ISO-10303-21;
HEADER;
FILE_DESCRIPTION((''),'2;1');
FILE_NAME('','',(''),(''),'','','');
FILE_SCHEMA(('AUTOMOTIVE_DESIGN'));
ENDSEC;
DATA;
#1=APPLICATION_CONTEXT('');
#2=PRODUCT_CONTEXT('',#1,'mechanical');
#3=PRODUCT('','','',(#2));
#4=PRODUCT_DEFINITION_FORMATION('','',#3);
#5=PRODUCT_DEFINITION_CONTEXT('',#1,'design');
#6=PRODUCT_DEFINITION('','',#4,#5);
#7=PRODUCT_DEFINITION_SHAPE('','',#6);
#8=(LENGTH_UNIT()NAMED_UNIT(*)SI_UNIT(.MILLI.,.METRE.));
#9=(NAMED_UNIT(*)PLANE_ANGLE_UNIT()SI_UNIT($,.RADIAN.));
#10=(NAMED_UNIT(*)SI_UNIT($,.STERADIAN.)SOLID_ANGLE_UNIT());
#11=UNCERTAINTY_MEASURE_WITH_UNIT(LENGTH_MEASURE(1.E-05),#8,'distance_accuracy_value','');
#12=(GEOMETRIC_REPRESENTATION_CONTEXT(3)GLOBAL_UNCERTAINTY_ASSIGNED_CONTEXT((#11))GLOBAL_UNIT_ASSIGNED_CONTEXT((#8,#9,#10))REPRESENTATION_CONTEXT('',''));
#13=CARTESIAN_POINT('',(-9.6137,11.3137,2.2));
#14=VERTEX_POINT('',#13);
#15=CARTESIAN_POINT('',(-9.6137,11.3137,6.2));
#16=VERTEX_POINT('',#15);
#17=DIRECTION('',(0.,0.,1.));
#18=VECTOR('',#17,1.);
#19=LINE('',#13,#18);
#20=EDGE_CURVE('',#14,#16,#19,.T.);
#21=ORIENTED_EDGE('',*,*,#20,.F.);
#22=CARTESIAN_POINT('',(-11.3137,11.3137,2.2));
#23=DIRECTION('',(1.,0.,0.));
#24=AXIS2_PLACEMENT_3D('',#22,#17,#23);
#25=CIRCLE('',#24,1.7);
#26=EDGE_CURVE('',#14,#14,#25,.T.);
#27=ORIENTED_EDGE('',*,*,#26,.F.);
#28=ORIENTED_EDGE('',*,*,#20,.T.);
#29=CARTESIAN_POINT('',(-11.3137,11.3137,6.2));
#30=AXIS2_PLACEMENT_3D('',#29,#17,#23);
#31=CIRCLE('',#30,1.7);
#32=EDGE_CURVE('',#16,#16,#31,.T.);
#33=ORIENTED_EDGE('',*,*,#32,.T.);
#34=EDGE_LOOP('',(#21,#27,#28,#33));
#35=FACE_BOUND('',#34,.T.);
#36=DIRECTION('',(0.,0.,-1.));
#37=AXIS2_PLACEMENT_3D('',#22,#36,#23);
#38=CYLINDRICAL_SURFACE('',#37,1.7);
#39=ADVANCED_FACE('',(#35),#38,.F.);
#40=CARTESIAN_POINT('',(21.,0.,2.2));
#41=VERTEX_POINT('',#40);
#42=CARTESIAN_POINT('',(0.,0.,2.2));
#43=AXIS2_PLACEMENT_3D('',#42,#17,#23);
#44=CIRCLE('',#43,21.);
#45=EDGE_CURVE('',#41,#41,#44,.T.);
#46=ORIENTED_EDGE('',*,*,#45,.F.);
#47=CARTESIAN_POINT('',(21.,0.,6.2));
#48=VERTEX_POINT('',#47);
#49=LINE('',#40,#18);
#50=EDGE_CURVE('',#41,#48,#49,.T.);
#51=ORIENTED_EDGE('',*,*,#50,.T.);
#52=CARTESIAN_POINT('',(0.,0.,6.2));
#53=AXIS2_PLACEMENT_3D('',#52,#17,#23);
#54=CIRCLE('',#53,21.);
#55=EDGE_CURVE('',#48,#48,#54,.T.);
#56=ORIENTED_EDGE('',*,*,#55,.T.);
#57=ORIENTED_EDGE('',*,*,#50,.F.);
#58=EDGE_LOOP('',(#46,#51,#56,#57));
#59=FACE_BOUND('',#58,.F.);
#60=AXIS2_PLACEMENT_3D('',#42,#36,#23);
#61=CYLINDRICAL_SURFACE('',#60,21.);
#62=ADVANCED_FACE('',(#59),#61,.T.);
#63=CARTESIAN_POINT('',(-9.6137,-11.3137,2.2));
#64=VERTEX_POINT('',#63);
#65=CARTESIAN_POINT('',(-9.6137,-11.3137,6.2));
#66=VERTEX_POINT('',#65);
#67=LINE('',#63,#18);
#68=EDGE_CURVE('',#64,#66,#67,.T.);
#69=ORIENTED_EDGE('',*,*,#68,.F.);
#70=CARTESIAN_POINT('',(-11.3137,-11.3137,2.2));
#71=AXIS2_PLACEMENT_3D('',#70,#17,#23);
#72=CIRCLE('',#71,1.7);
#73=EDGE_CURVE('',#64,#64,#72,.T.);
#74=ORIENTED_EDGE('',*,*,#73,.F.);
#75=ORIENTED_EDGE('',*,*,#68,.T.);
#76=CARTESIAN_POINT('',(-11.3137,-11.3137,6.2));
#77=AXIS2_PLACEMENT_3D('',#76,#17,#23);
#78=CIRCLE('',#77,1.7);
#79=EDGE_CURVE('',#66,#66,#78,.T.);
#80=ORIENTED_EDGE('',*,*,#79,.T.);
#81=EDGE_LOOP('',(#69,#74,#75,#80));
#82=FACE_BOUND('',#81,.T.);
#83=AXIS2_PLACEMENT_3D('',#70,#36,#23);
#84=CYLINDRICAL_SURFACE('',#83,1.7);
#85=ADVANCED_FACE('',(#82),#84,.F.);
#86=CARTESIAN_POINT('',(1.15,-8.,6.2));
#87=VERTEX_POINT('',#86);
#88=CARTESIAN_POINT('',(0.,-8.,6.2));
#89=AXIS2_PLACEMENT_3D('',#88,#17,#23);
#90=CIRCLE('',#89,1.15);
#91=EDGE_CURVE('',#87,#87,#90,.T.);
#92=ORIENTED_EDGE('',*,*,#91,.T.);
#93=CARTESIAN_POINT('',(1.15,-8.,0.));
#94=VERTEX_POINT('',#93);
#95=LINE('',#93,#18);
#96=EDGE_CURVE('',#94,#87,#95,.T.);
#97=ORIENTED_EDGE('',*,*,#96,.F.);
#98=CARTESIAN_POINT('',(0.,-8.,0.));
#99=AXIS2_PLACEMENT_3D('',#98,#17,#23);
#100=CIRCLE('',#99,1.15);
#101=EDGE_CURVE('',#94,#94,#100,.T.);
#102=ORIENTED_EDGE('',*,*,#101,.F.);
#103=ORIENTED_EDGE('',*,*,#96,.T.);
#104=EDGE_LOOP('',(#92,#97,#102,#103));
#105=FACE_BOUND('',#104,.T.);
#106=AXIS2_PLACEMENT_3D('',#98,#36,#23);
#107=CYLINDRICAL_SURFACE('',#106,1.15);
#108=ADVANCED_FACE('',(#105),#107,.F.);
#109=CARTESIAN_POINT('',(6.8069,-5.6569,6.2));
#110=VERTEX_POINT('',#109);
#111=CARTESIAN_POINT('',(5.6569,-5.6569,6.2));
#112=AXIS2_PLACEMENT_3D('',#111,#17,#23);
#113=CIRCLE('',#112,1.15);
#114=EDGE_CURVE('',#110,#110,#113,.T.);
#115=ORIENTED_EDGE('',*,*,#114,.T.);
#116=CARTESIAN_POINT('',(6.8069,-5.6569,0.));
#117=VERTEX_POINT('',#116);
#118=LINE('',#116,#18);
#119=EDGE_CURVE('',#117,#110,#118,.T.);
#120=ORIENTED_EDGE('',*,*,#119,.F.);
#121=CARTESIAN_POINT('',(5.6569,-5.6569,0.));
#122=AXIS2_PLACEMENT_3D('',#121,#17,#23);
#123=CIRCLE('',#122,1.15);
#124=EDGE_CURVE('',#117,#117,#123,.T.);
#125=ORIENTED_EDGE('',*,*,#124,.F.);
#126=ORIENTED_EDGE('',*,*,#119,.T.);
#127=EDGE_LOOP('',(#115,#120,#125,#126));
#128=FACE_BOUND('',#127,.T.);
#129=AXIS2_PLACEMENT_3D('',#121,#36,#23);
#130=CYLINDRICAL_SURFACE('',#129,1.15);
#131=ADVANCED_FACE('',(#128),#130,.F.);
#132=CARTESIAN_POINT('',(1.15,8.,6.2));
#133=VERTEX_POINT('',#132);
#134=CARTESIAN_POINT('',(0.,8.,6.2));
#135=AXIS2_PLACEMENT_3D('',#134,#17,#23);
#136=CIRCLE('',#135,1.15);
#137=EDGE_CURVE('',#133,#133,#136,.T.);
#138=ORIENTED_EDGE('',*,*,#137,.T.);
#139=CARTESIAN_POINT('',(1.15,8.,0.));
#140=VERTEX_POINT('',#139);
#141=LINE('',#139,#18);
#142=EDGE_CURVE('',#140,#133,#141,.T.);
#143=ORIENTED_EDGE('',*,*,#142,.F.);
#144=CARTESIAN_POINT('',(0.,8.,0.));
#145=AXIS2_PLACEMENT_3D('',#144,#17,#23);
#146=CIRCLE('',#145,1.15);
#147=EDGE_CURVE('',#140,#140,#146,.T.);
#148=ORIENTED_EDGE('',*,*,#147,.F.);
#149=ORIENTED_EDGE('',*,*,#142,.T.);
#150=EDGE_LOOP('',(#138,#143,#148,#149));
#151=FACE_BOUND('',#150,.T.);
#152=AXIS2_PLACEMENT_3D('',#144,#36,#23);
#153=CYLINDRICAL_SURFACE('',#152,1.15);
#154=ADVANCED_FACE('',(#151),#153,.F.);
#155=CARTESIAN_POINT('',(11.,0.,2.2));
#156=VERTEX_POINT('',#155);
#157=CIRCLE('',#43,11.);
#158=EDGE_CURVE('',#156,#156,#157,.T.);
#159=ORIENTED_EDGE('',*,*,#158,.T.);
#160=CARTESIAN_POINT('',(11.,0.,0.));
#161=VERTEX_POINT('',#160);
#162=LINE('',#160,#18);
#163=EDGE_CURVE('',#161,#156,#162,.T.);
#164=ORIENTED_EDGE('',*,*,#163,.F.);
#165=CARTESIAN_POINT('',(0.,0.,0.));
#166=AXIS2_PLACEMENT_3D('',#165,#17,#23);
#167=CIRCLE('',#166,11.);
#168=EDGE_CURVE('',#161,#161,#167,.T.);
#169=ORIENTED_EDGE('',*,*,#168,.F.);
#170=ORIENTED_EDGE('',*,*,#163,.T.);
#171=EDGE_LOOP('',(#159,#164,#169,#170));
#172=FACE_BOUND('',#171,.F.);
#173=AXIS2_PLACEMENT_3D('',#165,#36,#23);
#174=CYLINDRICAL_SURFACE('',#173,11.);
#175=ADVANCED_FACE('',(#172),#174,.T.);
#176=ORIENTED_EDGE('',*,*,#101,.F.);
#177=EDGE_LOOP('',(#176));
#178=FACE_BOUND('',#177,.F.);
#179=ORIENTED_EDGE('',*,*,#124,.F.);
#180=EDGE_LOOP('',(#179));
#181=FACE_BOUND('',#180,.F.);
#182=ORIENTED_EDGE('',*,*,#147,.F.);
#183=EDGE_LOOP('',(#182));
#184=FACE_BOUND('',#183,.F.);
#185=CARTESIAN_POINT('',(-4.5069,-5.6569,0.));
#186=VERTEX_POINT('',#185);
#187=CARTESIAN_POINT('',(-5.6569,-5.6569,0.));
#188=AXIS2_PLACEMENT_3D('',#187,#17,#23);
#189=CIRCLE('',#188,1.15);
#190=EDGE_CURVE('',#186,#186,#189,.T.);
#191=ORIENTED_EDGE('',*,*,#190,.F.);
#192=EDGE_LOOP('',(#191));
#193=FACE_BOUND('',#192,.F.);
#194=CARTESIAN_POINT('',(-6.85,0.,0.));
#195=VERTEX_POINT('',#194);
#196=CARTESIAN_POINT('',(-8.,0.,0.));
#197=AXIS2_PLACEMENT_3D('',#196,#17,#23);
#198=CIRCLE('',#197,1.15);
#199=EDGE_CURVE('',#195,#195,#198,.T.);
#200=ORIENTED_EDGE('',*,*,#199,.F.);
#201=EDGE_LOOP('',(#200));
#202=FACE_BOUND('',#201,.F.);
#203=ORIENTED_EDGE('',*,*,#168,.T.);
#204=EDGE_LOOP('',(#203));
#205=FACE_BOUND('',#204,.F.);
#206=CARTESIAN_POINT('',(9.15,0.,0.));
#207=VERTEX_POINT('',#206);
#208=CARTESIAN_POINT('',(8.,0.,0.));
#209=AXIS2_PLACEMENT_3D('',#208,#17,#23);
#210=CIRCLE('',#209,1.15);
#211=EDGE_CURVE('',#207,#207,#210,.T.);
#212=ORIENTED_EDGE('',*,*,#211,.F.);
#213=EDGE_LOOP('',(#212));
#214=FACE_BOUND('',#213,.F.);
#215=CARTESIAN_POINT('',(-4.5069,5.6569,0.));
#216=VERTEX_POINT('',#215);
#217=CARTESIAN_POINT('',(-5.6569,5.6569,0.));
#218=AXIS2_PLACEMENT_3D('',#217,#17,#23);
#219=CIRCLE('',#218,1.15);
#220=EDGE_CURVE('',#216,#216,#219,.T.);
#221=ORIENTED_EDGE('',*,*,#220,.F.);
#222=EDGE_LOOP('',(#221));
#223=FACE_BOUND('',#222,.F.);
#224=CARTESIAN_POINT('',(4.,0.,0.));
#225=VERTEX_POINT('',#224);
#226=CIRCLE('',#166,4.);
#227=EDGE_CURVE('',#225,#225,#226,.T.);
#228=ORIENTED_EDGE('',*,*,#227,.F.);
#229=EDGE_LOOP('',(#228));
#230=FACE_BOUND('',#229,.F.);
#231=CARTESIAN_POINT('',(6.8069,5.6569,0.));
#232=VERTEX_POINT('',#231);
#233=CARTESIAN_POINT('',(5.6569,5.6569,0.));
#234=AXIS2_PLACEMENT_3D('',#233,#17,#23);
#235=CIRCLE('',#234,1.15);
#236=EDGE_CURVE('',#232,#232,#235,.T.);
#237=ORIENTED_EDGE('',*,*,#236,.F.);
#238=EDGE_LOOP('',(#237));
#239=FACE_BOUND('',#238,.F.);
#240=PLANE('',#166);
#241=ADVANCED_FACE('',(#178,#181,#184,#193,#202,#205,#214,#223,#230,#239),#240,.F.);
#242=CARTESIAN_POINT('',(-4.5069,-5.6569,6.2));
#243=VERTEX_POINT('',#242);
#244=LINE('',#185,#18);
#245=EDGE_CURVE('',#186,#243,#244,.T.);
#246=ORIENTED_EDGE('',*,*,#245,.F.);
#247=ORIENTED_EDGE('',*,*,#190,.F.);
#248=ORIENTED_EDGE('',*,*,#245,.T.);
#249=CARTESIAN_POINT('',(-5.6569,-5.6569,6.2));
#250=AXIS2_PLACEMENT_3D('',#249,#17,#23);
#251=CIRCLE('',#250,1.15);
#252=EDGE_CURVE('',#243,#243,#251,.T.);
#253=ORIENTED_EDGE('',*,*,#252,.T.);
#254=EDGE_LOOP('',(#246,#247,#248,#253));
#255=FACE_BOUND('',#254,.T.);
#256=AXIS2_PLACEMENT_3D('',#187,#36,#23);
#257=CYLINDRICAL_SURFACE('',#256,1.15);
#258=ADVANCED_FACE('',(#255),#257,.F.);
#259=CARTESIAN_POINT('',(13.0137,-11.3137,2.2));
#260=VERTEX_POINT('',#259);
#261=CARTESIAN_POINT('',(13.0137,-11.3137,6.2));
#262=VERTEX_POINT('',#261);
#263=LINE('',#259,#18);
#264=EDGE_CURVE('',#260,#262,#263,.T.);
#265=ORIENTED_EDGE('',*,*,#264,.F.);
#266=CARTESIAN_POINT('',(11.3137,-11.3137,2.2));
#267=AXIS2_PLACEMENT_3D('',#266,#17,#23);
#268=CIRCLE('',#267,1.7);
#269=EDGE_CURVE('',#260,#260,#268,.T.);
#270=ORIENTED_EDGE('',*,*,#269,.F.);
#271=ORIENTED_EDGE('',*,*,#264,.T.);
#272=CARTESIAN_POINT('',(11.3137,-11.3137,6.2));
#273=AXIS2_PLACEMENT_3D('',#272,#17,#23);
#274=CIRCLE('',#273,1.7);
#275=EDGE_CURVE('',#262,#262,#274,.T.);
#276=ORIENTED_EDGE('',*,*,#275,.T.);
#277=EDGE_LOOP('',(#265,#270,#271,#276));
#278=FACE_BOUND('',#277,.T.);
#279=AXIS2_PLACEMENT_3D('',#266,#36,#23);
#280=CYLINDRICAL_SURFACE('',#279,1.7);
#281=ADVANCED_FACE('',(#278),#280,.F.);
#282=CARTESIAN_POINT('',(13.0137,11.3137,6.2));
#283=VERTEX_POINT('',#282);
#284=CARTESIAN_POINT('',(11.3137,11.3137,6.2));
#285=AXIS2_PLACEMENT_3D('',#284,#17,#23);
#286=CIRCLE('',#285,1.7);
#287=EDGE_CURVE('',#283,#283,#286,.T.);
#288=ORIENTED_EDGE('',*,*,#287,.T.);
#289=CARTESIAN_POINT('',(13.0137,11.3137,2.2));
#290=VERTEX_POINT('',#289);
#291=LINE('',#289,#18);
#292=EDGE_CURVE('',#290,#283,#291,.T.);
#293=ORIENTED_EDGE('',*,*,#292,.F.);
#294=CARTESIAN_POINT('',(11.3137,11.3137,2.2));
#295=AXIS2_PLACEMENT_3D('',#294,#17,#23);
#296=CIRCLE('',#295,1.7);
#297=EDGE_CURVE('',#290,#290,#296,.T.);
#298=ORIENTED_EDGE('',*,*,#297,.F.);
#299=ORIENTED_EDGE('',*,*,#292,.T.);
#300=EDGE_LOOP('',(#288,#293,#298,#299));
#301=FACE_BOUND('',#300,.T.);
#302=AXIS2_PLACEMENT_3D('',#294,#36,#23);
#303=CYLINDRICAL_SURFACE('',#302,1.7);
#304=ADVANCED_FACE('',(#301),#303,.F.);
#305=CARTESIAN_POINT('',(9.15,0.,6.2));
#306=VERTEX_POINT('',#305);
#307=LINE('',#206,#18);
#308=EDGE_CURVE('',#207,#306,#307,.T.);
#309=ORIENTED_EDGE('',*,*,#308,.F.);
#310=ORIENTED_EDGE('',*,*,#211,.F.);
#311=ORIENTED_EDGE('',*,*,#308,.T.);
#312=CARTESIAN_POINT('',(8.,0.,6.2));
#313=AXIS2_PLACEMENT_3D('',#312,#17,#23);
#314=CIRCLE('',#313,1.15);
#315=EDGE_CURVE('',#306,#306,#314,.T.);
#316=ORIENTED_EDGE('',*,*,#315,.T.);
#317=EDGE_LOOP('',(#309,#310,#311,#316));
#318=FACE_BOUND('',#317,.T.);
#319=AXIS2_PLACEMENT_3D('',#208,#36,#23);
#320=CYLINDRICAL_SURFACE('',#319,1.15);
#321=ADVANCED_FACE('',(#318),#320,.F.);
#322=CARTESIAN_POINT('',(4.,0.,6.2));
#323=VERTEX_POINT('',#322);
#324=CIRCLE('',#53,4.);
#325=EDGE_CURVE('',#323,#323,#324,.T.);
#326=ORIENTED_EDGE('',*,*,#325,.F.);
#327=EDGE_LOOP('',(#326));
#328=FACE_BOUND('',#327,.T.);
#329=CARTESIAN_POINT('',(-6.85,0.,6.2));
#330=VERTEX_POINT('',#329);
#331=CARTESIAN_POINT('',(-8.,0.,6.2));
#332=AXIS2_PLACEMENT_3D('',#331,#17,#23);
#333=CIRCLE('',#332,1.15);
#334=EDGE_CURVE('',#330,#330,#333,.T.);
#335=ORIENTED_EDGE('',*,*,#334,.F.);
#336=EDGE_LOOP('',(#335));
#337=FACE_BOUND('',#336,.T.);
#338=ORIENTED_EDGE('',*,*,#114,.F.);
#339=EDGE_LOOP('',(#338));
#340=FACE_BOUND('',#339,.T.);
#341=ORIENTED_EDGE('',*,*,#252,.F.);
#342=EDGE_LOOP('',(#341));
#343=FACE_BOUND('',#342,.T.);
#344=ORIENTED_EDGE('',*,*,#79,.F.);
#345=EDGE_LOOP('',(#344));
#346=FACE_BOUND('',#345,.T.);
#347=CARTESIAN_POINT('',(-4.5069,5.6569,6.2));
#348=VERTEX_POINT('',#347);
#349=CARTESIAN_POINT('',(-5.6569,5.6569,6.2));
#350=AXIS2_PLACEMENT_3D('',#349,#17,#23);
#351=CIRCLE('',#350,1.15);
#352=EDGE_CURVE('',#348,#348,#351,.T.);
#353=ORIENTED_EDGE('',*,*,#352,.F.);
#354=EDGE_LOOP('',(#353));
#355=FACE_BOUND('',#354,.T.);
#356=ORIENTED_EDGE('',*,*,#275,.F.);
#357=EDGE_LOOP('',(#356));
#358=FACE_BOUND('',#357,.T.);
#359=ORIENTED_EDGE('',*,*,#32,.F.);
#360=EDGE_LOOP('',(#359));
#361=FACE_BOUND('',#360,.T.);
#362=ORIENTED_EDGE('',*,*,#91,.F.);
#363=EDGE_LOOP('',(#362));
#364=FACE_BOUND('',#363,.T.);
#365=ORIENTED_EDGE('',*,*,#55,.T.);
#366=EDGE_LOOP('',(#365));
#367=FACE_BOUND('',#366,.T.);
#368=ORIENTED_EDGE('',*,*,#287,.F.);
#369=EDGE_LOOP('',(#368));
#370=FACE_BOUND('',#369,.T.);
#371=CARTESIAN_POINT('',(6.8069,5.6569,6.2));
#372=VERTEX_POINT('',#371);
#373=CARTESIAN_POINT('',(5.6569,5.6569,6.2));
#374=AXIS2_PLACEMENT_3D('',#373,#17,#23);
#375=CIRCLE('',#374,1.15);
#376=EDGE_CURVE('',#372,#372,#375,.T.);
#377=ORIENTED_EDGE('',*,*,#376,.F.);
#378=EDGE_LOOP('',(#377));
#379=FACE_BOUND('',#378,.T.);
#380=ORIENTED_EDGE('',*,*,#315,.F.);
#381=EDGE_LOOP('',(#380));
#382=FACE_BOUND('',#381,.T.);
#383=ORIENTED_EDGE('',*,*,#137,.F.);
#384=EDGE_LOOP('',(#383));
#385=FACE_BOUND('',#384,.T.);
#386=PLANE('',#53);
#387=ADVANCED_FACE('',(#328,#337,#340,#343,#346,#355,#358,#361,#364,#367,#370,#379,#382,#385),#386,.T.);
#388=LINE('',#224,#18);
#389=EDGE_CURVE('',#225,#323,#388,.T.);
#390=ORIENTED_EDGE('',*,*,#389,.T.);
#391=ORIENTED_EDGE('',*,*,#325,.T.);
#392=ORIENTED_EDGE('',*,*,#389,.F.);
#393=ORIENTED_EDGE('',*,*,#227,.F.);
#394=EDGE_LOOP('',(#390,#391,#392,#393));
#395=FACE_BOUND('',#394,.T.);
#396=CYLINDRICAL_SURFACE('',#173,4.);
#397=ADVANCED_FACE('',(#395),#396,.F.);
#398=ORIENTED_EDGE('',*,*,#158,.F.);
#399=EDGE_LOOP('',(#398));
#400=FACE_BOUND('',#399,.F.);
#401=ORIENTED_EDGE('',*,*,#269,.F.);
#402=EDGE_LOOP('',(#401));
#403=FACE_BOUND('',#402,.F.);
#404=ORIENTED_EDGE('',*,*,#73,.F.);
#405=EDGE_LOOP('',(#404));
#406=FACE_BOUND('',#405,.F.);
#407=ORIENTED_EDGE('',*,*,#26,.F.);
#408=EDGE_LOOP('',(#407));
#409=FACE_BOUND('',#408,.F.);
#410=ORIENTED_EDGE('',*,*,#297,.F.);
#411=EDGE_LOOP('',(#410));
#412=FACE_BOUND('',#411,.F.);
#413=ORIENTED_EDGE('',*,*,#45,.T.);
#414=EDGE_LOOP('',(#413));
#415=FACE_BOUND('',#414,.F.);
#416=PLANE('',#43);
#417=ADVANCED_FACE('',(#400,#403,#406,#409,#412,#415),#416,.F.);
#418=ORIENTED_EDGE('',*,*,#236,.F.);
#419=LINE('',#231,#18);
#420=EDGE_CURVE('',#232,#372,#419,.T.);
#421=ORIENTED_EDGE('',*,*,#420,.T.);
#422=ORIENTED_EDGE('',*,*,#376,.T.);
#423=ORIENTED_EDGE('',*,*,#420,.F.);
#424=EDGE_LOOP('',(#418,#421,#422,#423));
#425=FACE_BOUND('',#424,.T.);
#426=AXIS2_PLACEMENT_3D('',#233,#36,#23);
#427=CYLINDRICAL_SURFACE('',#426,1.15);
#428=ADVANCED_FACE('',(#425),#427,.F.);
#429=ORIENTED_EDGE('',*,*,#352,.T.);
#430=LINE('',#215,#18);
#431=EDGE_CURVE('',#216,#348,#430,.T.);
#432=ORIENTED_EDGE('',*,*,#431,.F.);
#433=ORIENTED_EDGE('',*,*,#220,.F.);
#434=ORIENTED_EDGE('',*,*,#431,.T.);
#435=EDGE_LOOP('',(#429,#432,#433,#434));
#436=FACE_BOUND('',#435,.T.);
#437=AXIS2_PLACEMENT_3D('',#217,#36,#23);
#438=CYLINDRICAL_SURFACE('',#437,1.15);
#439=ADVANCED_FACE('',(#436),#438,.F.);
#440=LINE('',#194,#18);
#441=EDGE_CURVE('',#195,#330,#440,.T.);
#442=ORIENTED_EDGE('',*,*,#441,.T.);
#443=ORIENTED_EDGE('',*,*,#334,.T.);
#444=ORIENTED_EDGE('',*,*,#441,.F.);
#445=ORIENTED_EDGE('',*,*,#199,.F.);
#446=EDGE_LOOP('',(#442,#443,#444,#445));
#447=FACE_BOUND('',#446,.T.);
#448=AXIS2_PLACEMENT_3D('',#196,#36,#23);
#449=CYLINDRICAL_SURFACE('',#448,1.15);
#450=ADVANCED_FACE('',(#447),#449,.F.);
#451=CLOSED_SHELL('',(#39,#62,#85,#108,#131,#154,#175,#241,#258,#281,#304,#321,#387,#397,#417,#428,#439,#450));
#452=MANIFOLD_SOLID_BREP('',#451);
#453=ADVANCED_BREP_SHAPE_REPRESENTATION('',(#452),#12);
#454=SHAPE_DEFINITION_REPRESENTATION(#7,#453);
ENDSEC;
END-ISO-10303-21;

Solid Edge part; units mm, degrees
sketch "Sketch1" plane through (0, 0, 0) normal (0, 0, 1) x (1, 0, 0)
  circle A0 centre (0, 0) radius 11
  circle A1 centre (0, 0) radius 4
  circle A2 centre (8, 0) radius 1.15
  circle A3 centre (5.6569, 5.6569) radius 1.15
  circle A4 centre (0, 8) radius 1.15
  circle A5 centre (-5.6569, 5.6569) radius 1.15
  circle A6 centre (-8, 0) radius 1.15
  circle A7 centre (-5.6569, -5.6569) radius 1.15
  circle A8 centre (0, -8) radius 1.15
  circle A9 centre (5.6569, -5.6569) radius 1.15
extrude "Protrusion1" add sketch "Sketch1" along normal blind 2.2
sketch "Sketch2" plane through (0, 0, 2.2) normal (0, 0, 1) x (1, 0, 0)
  circle A0 centre (0, 0) radius 21
  circle A1 centre (0, 0) radius 4
  circle A2 centre (8, 0) radius 1.15
  circle A3 centre (5.6569, 5.6569) radius 1.15
  circle A4 centre (0, 8) radius 1.15
  circle A5 centre (-5.6569, 5.6569) radius 1.15
  circle A6 centre (-8, 0) radius 1.15
  circle A7 centre (-5.6569, -5.6569) radius 1.15
  circle A8 centre (0, -8) radius 1.15
  circle A9 centre (5.6569, -5.6569) radius 1.15
  circle A10 centre (11.3137, 11.3137) radius 1.7
  circle A11 centre (-11.3137, 11.3137) radius 1.7
  circle A12 centre (-11.3137, -11.3137) radius 1.7
  circle A13 centre (11.3137, -11.3137) radius 1.7
extrude "ExtrudedProtrusion_2" add sketch "Sketch2" along normal blind 4
